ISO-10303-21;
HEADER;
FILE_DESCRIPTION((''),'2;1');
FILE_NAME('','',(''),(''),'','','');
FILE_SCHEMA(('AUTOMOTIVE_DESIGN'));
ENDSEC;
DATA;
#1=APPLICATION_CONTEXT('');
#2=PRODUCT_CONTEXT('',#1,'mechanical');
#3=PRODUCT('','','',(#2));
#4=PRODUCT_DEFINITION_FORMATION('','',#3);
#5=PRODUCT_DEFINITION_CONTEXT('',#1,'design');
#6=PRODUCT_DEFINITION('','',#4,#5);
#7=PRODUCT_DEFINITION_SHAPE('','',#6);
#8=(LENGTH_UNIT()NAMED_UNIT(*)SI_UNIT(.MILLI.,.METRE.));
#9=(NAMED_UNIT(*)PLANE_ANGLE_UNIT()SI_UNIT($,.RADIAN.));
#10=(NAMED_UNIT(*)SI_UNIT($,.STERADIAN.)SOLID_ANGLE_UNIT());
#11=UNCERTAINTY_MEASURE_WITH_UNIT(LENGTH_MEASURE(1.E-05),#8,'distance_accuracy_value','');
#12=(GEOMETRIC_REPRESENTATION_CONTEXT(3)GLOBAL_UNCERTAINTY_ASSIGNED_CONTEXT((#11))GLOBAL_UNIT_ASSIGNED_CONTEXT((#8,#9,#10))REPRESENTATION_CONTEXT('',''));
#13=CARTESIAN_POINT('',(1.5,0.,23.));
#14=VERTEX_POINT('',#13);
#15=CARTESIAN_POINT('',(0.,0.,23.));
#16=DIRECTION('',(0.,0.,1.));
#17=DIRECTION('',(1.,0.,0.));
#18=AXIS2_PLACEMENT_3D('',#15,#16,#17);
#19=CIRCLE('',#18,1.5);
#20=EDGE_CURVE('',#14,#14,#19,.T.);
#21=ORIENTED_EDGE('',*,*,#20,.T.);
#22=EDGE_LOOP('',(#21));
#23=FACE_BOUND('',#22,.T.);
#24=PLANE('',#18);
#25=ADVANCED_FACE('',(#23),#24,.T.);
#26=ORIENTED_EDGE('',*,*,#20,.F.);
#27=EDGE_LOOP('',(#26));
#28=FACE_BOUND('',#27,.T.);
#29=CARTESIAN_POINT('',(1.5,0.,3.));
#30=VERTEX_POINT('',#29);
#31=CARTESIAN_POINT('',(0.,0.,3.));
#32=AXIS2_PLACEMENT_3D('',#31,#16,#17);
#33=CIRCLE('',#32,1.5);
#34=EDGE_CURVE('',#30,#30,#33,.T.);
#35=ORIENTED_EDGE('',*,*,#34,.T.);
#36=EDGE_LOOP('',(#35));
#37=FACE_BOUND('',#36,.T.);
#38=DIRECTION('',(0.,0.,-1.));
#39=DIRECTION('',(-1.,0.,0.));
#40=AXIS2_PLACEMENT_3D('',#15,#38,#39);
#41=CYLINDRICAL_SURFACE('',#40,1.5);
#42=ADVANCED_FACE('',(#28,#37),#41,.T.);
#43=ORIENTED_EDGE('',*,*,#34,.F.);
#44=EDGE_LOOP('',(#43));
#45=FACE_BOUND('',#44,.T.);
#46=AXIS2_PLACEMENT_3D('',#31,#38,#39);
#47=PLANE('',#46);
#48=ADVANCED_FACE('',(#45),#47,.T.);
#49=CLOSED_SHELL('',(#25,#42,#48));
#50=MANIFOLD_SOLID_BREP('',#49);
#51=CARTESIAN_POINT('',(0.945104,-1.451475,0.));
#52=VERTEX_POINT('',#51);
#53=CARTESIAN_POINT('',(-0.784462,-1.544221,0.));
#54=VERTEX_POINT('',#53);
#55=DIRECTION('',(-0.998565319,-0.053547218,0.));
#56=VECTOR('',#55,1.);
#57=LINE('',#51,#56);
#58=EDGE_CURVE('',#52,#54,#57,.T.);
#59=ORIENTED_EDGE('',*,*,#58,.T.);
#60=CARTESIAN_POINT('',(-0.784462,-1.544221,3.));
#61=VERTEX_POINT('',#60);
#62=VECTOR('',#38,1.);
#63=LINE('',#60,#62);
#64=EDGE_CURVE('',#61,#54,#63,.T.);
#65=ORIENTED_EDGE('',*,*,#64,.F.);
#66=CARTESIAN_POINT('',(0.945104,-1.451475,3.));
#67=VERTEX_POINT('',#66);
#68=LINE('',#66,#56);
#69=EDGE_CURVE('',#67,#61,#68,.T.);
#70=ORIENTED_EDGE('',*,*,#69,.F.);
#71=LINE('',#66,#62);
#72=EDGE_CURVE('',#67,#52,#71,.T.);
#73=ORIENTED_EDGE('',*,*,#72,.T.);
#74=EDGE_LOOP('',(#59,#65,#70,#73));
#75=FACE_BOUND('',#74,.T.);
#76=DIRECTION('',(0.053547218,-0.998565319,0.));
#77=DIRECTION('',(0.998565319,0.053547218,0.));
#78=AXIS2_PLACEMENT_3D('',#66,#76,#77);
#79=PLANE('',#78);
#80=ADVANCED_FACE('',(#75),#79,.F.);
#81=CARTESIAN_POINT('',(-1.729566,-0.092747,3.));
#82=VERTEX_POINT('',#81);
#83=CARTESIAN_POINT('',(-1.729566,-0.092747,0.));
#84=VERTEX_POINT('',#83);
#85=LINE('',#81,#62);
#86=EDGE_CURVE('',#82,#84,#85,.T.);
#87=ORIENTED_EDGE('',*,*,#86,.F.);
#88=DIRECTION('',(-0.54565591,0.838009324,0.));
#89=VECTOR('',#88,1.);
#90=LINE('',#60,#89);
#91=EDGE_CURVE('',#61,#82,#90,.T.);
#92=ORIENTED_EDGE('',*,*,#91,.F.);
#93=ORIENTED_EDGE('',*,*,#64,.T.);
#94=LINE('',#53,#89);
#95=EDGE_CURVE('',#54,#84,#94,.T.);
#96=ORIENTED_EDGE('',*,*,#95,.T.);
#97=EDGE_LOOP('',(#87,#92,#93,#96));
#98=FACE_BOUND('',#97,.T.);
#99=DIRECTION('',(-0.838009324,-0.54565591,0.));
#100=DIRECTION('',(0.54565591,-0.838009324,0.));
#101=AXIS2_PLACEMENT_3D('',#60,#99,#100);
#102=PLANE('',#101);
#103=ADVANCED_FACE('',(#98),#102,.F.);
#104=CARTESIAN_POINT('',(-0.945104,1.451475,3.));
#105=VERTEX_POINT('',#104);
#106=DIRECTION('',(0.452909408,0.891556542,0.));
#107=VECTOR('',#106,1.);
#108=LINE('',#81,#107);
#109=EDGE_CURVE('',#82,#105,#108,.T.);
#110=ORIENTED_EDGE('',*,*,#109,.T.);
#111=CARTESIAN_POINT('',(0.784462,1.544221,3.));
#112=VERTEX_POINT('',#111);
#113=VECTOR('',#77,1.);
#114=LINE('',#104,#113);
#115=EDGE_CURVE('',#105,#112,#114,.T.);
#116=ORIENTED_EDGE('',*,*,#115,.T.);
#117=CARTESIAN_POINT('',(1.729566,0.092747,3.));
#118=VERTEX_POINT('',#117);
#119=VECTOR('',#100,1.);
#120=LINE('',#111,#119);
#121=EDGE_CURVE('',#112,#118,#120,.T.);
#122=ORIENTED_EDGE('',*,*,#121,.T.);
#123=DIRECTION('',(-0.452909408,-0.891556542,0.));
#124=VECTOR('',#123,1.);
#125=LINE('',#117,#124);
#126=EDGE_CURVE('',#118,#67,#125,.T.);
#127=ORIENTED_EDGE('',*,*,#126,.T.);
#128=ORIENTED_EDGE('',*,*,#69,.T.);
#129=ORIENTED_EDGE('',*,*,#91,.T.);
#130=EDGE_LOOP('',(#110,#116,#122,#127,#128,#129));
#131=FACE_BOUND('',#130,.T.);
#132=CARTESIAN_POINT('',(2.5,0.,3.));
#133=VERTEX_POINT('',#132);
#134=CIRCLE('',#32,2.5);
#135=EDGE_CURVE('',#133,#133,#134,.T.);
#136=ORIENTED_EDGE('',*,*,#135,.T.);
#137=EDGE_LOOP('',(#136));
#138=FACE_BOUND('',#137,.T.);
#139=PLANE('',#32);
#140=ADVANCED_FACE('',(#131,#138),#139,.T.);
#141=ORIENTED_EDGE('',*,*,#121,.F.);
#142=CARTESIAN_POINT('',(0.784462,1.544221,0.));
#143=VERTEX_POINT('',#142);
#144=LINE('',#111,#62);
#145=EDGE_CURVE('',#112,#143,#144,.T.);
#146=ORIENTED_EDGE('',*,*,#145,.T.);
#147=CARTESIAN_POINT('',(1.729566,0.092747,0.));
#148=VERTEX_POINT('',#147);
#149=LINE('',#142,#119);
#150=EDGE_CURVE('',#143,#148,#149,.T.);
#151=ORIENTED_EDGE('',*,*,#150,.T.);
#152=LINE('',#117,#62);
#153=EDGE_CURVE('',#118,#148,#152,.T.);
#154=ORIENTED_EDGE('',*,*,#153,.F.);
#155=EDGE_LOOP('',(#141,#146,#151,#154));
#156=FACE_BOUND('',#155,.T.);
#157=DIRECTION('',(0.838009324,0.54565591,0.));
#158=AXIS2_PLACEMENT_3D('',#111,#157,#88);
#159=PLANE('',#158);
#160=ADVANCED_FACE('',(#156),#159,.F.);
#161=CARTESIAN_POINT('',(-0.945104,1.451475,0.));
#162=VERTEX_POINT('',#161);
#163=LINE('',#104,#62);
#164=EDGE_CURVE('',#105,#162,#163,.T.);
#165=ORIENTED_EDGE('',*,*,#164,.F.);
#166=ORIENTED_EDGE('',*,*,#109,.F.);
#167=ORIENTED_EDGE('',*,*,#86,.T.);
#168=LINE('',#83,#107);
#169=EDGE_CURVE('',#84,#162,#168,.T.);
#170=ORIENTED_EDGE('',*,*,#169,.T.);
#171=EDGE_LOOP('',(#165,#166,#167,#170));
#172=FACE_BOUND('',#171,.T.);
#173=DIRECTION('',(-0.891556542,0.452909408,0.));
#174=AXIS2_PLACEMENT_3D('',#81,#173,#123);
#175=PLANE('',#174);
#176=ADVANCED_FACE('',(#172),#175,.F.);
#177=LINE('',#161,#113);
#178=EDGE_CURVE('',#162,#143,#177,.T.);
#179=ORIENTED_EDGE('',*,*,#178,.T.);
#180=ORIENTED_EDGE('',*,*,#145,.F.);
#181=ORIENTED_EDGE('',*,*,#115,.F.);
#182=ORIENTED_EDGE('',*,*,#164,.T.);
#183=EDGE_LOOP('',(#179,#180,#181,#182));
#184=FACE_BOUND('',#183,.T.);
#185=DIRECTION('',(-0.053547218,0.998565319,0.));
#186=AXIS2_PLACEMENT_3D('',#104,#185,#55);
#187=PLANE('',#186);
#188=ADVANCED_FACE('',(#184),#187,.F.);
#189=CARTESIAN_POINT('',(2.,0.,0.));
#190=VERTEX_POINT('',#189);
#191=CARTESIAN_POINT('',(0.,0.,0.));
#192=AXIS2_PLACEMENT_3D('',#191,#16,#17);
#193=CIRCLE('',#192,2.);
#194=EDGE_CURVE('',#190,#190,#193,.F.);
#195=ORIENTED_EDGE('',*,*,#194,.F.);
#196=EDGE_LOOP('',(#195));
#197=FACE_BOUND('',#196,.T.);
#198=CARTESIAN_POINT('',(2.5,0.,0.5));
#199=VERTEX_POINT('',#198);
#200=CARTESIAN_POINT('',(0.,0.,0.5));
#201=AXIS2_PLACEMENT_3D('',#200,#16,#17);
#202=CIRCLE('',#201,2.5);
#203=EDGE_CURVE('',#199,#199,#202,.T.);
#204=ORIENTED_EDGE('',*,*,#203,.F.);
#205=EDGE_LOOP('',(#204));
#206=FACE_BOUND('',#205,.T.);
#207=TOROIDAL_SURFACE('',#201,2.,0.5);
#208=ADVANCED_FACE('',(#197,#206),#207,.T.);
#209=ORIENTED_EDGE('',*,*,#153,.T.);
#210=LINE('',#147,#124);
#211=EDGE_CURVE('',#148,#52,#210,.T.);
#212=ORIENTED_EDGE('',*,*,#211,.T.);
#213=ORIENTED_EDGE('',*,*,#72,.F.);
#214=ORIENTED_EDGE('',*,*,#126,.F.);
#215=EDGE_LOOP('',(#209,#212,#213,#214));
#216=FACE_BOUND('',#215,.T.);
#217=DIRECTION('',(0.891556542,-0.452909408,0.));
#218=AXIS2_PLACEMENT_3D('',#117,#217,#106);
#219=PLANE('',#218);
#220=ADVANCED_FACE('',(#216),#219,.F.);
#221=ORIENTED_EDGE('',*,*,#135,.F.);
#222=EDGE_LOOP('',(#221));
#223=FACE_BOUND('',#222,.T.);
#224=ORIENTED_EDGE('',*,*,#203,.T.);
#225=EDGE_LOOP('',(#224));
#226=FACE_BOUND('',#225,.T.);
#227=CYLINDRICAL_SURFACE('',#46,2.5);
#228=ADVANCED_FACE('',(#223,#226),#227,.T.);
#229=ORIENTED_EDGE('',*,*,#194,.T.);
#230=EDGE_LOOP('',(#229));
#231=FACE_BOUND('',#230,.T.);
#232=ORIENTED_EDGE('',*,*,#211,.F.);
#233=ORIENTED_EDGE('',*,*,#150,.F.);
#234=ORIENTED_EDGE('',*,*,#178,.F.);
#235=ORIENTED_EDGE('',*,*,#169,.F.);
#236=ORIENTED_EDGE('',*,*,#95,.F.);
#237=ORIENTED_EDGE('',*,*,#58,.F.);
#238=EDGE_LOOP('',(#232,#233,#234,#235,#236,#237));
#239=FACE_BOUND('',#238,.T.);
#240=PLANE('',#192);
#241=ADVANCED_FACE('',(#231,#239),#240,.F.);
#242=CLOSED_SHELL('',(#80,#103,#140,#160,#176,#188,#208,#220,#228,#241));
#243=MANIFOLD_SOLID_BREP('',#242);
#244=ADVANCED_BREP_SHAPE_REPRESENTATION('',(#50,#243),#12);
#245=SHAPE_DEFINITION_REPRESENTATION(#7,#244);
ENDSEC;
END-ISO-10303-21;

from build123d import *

# Parameters (mm, degrees)
SKETCH1_R           = 2.5
BOSS_EXTRUDE1_DEPTH = 3
SKETCH2_R           = 1.5
BOSS_EXTRUDE2_DEPTH = 20
CUT_EXTRUDE1_DEPTH  = 3
FILLET1_R           = 0.5


with BuildPart() as part:
    # Sketch1 → Boss-Extrude1 (new body)
    with BuildSketch(Plane.XY):
        Circle(SKETCH1_R)
    extrude(amount=BOSS_EXTRUDE1_DEPTH)

    # Sketch2 → Boss-Extrude2 (add)
    with BuildSketch(Plane.XY.offset(3)):
        Circle(SKETCH2_R)
    extrude(amount=BOSS_EXTRUDE2_DEPTH)

    # Sketch3 → Cut-Extrude1 (cut)
    with BuildSketch(Plane(origin=(0, 0, 0), x_dir=(-1, 0, 0), z_dir=(0, 0, -1))):
        Polygon((0.784462107, -1.544221229), (1.729565866, -0.092746502), (0.94510376, 1.451474727), (-0.784462107, 1.544221229), (-1.729565866, 0.092746502), (-0.94510376, -1.451474727), align=None)
    extrude(amount=-CUT_EXTRUDE1_DEPTH, mode=Mode.SUBTRACT)

    # Fillet1
    fillet1_edges = [part.edges().sort_by_distance(p)[0] for p in [
        (-2.5, 0, 0),
    ]]
    fillet(fillet1_edges, radius=FILLET1_R)


solid = part.part
